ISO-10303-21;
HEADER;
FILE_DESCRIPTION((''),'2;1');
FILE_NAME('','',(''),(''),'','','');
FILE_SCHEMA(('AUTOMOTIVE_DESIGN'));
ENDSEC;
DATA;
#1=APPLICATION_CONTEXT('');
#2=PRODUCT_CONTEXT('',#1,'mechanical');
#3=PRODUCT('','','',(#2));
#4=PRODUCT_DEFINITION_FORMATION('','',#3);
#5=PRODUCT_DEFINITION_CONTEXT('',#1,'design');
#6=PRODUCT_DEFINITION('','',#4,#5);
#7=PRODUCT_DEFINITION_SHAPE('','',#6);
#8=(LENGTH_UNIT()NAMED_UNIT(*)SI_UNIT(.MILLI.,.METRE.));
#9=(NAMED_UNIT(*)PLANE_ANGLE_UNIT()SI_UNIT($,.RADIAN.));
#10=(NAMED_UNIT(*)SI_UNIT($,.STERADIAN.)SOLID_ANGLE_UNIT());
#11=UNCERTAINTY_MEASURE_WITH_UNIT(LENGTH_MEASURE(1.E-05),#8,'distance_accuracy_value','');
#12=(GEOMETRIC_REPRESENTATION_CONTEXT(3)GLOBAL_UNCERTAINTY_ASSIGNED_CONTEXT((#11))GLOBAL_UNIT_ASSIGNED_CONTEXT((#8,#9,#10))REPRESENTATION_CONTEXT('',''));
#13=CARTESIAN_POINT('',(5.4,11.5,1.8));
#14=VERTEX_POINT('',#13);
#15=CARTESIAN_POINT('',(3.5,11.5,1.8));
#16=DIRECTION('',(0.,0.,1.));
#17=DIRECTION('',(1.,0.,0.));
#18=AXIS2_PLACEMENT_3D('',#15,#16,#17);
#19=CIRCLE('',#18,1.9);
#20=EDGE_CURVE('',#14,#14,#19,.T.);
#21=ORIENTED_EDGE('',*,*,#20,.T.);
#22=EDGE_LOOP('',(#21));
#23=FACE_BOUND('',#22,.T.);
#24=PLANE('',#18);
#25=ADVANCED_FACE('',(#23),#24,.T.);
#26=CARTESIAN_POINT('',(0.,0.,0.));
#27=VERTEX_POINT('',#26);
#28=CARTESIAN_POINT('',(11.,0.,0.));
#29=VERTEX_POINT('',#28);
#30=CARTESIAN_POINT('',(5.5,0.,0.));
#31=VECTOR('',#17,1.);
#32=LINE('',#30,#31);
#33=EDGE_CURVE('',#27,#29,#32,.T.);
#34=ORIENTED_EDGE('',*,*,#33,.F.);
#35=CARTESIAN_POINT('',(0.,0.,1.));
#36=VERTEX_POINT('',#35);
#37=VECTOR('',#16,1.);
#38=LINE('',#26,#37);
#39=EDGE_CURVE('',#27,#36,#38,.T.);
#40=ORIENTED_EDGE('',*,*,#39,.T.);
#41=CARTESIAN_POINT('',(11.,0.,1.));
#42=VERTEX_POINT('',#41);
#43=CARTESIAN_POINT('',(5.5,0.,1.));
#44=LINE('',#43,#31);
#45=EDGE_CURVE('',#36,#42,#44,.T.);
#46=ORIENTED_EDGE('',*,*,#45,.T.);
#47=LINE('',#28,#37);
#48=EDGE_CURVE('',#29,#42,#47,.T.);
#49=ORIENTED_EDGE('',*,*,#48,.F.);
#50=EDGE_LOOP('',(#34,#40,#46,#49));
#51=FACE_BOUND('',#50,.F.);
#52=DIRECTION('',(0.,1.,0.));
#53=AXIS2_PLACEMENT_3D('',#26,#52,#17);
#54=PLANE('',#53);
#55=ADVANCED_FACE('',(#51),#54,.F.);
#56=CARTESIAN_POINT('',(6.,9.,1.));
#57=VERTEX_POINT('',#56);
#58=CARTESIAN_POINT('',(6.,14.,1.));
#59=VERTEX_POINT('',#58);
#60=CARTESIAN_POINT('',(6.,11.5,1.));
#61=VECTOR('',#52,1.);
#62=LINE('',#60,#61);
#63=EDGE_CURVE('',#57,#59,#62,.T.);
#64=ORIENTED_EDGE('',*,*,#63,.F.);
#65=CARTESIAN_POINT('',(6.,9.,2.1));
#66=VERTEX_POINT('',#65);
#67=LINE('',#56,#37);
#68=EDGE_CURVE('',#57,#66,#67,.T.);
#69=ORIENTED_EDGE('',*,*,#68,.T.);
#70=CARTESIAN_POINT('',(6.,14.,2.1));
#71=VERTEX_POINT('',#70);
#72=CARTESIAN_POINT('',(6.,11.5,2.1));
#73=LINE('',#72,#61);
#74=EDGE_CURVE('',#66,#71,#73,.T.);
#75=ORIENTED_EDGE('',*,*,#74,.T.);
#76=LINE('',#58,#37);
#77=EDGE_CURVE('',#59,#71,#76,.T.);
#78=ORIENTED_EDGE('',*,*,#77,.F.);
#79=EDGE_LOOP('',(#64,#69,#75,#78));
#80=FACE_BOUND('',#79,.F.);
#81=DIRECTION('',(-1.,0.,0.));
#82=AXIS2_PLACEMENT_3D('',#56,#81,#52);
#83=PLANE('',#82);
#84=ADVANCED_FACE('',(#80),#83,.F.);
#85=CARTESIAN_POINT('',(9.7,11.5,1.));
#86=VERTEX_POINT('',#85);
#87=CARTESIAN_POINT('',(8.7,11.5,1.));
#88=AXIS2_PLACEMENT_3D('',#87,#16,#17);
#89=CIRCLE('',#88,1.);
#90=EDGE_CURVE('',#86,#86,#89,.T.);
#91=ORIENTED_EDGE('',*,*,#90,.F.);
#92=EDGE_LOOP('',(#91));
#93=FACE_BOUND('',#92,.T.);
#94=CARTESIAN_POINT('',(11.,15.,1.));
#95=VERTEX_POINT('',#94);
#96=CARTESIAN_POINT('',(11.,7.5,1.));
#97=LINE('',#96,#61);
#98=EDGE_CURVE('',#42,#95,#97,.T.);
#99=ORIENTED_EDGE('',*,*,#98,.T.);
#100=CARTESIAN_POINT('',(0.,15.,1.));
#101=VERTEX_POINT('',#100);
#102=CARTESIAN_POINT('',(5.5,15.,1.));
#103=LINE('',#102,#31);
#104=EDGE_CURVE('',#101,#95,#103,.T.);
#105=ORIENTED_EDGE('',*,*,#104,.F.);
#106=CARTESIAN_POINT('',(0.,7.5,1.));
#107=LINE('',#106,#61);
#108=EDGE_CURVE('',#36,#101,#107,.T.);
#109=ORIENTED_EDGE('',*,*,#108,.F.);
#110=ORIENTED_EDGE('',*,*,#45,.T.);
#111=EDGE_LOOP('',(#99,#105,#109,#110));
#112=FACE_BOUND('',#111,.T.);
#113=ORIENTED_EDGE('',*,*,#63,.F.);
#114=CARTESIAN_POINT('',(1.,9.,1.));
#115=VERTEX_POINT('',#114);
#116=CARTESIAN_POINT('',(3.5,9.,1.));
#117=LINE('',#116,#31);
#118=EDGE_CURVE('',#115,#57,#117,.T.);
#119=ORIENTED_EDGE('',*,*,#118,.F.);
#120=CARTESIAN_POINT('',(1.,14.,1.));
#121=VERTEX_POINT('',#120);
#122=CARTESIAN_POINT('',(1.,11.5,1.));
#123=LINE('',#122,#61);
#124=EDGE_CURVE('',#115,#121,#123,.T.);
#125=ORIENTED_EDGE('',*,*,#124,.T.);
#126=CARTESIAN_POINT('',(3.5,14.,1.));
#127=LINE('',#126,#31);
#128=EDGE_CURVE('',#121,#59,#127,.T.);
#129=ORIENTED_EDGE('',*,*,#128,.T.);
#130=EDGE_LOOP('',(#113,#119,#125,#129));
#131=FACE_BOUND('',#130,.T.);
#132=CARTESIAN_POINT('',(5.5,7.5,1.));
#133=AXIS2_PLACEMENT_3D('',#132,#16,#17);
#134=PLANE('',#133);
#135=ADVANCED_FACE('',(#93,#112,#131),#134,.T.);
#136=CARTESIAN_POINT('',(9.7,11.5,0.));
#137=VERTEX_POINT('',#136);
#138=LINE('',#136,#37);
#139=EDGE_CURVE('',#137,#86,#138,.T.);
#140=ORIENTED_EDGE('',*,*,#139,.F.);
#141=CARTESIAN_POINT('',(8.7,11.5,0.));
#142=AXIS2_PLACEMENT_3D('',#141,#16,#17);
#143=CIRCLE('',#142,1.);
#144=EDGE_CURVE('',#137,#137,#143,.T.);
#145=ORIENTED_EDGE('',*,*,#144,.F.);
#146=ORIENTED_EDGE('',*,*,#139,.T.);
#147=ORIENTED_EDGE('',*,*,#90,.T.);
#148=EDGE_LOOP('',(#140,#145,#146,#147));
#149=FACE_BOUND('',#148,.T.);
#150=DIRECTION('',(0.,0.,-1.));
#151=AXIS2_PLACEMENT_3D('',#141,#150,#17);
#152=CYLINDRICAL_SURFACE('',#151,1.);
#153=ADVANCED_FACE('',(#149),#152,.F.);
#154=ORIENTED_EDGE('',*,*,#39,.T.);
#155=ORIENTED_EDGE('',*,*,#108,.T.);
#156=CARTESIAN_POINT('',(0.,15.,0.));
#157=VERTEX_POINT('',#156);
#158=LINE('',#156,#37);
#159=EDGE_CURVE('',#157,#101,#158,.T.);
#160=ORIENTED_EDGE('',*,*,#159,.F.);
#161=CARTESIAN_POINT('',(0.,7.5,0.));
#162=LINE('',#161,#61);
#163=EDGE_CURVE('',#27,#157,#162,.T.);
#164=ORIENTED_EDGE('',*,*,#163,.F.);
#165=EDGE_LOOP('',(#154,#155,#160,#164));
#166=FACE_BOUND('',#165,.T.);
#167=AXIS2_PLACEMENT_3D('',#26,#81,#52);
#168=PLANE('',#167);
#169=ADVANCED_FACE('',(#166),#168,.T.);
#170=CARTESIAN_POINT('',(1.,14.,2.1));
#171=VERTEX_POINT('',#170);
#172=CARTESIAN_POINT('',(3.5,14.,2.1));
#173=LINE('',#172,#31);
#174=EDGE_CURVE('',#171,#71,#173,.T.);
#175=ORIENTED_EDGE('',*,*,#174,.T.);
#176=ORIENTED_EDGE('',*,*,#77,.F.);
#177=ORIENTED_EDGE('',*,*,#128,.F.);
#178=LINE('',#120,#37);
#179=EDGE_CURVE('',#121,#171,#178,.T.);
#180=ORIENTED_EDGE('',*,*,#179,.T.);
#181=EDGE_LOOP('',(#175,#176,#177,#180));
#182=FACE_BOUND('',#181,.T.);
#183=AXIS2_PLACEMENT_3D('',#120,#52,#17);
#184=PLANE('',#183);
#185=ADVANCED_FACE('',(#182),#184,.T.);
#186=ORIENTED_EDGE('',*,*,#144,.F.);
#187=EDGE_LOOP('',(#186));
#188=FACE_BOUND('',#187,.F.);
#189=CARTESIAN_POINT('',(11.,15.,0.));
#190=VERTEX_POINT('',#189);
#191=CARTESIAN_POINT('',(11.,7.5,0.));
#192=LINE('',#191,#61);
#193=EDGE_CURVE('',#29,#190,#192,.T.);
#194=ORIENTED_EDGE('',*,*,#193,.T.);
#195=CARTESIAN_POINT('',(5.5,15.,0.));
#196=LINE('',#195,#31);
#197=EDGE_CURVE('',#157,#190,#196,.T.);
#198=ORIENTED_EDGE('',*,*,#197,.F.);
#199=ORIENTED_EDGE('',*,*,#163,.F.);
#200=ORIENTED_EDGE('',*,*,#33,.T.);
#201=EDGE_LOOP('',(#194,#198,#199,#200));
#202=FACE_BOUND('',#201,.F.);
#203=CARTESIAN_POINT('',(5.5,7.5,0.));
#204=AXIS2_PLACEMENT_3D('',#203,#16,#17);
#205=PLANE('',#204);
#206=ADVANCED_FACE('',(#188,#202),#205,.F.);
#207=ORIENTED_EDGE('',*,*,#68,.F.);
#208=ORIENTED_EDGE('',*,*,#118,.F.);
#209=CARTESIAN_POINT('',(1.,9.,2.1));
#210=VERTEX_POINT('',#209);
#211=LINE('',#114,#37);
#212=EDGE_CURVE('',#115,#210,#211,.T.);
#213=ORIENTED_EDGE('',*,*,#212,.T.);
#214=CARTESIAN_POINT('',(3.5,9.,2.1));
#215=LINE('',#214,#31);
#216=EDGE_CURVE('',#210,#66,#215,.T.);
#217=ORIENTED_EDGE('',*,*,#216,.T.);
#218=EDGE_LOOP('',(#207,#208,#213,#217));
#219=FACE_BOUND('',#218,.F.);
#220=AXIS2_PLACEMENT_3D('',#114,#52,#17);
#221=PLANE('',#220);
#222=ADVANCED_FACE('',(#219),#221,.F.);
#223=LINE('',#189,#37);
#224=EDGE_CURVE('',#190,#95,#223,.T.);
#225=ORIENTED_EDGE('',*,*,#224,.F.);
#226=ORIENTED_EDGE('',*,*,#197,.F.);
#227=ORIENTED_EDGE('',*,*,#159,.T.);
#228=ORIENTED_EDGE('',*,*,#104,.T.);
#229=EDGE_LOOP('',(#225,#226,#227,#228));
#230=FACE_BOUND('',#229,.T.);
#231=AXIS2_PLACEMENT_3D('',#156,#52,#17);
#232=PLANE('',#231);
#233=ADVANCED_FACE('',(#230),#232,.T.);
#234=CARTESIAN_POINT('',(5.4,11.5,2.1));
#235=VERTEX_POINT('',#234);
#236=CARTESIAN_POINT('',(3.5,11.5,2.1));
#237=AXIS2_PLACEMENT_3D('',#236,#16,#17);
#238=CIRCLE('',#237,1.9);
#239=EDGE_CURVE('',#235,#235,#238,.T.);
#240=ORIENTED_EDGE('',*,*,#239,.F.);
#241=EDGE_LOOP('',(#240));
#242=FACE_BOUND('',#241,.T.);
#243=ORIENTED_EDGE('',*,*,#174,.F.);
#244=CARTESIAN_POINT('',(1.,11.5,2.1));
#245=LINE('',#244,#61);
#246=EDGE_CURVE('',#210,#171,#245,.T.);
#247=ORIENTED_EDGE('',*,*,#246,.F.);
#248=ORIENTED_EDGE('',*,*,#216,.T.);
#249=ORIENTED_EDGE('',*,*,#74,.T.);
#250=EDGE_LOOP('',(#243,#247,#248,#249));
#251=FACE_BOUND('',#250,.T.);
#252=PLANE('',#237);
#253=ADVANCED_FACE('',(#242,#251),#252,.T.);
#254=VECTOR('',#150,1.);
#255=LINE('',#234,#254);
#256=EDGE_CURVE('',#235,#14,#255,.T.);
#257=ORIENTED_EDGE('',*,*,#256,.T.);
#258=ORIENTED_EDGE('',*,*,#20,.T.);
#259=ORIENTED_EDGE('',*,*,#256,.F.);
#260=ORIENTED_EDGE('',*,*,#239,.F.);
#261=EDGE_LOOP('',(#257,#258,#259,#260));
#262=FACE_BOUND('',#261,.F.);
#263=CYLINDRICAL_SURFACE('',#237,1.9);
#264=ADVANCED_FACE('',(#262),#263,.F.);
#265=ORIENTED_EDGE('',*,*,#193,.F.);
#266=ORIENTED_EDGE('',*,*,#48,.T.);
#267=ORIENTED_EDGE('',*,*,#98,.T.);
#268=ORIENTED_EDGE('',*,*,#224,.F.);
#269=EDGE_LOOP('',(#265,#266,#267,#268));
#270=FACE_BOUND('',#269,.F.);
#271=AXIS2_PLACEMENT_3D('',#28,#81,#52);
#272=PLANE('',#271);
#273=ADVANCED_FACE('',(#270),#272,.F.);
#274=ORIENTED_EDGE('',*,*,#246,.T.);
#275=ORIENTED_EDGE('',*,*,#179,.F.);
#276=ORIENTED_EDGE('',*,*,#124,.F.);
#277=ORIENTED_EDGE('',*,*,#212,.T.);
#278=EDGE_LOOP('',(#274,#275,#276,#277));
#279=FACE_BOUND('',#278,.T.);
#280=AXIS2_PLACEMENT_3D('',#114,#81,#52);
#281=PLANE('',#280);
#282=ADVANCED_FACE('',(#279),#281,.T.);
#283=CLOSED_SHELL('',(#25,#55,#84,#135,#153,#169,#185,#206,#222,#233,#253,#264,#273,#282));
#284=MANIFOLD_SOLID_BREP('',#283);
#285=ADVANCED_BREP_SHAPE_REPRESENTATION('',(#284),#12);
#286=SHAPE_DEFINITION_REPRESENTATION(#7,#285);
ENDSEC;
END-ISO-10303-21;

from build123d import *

# Parameters (mm, degrees)
SKETCH_W     = 11
SKETCH_H     = 15
SKETCH_R     = 1
PAD_DEPTH    = 1
SKETCH001_W  = 5
SKETCH001_H  = 5
PAD001_DEPTH = 1.1
SKETCH002_R  = 1.9
POCKET_DEPTH = 0.3


with BuildPart() as part:
    # Sketch → Pad (new body)
    with BuildSketch(Plane.XY):
        with Locations((5.5, 7.5)):
            Rectangle(SKETCH_W, SKETCH_H)
        with Locations((8.7, 11.5)):
            Circle(SKETCH_R, mode=Mode.SUBTRACT)
    extrude(amount=PAD_DEPTH)

    # Sketch001 (on Face7 of Pad) → Pad001 (join)
    with BuildSketch(Plane.XY.offset(1)):
        with Locations((3.5, 11.5)):
            Rectangle(SKETCH001_W, SKETCH001_H)
    extrude(amount=PAD001_DEPTH)

    # Sketch002 (on Face12 of Pad001) → Pocket (cut)
    with BuildSketch(Plane.XY.offset(2.1)):
        with Locations((3.5, 11.5)):
            Circle(SKETCH002_R)
    extrude(amount=-POCKET_DEPTH, mode=Mode.SUBTRACT)


solid = part.part
